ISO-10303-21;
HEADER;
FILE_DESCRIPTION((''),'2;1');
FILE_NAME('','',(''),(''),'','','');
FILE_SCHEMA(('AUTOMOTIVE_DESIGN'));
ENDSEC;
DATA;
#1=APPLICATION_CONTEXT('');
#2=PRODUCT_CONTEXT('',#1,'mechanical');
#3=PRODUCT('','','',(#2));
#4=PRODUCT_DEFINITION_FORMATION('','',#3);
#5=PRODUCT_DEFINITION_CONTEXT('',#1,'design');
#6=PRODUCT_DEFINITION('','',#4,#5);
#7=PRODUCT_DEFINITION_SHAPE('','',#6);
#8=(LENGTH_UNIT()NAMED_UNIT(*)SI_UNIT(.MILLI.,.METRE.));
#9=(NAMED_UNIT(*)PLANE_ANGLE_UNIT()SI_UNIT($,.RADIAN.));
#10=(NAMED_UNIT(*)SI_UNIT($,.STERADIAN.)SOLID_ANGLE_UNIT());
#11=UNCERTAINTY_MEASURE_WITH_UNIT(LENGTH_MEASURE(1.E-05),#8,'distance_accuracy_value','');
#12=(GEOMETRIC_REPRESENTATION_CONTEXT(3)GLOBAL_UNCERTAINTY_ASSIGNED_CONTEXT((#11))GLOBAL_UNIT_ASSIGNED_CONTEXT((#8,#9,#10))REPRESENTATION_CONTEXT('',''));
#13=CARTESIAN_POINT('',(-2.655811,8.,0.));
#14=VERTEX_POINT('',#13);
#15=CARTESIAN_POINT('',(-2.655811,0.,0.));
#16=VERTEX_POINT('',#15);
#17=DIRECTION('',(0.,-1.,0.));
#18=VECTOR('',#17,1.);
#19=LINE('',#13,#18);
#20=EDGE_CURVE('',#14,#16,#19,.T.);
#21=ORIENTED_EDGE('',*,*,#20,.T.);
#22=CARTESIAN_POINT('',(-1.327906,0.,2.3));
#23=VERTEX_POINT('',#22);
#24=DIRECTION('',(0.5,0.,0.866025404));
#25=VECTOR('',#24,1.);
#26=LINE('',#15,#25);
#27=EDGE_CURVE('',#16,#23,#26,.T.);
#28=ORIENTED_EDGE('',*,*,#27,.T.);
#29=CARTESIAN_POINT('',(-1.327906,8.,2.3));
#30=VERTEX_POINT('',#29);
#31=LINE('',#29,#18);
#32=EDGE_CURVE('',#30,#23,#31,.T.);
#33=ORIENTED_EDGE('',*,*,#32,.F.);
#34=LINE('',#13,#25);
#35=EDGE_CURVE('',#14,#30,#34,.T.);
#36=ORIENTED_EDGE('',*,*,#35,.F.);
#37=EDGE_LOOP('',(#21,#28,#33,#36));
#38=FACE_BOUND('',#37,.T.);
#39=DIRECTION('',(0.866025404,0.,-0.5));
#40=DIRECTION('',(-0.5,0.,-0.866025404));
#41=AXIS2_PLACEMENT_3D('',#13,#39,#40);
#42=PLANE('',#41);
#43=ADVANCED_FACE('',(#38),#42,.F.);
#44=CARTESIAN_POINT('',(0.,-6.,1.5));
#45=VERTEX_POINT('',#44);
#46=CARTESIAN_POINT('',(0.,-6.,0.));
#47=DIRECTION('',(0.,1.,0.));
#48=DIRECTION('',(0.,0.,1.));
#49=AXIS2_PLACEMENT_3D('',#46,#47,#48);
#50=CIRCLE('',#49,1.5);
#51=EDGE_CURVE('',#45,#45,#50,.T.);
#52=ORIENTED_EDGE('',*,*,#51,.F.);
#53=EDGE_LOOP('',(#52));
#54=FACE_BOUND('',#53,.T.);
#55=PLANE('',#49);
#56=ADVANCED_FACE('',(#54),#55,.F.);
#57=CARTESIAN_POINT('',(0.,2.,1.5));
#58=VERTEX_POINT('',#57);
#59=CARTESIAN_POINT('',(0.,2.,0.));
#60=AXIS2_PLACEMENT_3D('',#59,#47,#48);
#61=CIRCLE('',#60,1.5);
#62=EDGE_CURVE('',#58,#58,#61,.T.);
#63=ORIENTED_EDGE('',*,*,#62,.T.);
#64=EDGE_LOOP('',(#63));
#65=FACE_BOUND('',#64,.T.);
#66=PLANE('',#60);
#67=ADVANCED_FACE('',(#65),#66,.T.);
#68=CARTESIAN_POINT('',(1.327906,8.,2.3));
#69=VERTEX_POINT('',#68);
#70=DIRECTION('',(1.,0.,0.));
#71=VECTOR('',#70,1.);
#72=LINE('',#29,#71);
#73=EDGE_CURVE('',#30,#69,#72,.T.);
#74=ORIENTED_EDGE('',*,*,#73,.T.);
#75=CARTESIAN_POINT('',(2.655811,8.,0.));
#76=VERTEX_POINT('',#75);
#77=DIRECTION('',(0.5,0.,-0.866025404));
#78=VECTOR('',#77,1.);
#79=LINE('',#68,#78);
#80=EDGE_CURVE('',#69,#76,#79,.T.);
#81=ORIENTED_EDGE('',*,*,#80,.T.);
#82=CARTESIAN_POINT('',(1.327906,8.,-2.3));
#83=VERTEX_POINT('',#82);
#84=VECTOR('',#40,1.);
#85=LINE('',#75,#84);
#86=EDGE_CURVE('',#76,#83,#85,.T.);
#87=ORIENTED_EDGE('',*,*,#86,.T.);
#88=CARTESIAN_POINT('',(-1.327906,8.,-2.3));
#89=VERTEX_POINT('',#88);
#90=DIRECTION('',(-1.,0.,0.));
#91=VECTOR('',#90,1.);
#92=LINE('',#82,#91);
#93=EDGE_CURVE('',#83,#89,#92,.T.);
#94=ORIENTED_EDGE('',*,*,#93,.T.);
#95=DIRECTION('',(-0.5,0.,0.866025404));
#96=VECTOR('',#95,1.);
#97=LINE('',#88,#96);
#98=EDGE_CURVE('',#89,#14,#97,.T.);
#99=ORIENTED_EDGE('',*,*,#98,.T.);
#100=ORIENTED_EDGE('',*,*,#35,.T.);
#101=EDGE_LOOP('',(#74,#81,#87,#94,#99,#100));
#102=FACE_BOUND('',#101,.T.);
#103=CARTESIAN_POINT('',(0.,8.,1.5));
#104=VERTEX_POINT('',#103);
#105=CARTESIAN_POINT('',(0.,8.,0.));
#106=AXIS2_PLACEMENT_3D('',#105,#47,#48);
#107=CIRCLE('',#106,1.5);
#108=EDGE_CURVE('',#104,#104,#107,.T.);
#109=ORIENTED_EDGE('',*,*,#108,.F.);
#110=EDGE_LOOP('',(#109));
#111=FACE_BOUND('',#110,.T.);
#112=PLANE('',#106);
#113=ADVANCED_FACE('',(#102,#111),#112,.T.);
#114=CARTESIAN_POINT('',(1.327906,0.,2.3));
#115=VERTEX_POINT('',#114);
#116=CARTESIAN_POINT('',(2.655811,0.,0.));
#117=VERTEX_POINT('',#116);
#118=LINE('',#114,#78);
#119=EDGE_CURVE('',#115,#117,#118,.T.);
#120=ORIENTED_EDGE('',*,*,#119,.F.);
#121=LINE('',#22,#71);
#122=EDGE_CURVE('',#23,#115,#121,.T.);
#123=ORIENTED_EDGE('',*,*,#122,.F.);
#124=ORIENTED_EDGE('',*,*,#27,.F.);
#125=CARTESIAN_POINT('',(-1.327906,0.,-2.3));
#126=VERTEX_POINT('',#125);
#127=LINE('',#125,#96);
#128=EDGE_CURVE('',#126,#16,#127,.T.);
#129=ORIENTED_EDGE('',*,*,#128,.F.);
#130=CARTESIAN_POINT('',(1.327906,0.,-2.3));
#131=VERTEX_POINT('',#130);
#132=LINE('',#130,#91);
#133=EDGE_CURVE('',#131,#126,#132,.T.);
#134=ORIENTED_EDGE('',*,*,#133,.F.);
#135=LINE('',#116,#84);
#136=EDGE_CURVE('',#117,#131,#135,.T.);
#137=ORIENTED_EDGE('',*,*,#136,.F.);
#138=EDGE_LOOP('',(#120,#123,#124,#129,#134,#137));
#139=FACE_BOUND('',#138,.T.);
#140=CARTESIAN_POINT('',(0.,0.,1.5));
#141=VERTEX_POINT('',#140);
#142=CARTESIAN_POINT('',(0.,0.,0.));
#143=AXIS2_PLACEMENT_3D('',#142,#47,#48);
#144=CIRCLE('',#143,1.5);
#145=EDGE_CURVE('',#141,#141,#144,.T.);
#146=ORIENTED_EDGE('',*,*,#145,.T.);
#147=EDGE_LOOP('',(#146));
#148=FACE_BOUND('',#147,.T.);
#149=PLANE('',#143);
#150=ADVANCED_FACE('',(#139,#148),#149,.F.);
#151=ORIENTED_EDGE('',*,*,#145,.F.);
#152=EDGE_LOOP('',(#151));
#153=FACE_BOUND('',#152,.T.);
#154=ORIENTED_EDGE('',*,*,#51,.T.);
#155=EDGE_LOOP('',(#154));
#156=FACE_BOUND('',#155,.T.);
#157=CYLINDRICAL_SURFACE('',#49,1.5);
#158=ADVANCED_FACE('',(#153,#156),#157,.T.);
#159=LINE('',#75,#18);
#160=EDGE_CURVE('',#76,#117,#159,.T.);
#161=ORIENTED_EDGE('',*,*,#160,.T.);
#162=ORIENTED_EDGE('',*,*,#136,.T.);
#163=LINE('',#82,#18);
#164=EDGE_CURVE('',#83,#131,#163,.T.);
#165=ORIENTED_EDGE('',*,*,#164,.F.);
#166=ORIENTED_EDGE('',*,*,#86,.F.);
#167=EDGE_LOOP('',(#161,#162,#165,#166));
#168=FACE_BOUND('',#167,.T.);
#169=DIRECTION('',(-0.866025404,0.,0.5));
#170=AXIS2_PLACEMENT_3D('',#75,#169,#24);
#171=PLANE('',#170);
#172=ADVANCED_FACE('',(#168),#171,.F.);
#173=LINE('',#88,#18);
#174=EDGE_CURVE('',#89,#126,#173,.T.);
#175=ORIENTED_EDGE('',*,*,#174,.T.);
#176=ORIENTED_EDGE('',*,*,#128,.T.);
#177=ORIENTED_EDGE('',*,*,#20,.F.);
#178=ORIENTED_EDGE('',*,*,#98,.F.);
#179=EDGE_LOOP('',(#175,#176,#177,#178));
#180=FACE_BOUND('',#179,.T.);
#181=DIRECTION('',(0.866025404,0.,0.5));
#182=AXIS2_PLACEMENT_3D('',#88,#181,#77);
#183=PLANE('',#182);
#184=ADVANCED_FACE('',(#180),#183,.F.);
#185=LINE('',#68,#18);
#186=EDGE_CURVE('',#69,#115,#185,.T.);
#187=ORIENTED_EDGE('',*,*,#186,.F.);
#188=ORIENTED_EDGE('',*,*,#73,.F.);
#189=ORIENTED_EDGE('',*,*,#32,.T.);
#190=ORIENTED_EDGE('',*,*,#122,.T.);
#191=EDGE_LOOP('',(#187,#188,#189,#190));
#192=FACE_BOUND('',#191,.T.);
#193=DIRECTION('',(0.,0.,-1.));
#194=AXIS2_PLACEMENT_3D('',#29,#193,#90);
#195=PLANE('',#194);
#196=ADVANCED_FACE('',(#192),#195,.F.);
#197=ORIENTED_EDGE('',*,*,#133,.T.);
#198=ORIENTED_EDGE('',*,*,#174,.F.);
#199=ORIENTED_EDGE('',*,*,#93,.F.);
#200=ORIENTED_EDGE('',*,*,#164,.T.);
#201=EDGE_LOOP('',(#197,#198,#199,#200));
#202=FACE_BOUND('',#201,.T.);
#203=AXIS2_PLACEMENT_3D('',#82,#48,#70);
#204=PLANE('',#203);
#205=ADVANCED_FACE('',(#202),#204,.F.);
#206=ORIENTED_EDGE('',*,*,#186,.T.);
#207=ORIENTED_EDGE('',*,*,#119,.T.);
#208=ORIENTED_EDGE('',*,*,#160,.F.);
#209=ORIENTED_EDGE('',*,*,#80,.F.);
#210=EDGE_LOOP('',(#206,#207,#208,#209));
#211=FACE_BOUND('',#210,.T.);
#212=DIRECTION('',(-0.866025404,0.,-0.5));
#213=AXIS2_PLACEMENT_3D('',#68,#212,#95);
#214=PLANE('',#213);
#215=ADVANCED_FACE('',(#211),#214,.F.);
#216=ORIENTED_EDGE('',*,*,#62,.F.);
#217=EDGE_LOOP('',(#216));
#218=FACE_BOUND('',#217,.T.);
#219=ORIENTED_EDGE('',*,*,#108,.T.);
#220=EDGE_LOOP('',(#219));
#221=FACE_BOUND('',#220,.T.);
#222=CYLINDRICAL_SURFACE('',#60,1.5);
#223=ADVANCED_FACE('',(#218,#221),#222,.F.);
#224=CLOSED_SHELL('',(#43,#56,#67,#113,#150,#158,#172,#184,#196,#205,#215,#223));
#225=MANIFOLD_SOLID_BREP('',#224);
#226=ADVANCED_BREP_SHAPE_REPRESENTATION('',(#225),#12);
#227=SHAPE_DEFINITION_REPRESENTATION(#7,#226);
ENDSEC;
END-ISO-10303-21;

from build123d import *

# Parameters (mm, degrees)
HEX_PART_DEPTH   = 8
SKETCH2_R        = 1.5
THREAD_DEPTH     = 6
SKETCH3_R        = 1.5
HEX_THREAD_DEPTH = 6


with BuildPart() as part:
    # Sketch1 → HEX PART (new body)
    with BuildSketch(Plane(origin=(0, 0, 0), x_dir=(1, 0, 0), z_dir=(0, 1, 0))):
        Polygon((2.655811238, 0), (1.327905619, 2.3), (-1.327905619, 2.3), (-2.655811238, 0), (-1.327905619, -2.3), (1.327905619, -2.3), align=None)
    extrude(amount=HEX_PART_DEPTH)

    # Sketch2 → THREAD (add)
    with BuildSketch(Plane(origin=(0, 0, 0), x_dir=(1, 0, 0), z_dir=(0, 1, 0))):
        with Locations(Location((0, 0, 0), (0, 0, 270))):
            Circle(SKETCH2_R)
    extrude(amount=-THREAD_DEPTH)

    # Sketch3 → HEX THREAD (cut)
    with BuildSketch(Plane(origin=(0, 8, 0), x_dir=(1, 0, 0), z_dir=(0, 1, 0))):
        with Locations(Location((0, 0, 0), (0, 0, 270))):
            Circle(SKETCH3_R)
    extrude(amount=-HEX_THREAD_DEPTH, mode=Mode.SUBTRACT)


solid = part.part
